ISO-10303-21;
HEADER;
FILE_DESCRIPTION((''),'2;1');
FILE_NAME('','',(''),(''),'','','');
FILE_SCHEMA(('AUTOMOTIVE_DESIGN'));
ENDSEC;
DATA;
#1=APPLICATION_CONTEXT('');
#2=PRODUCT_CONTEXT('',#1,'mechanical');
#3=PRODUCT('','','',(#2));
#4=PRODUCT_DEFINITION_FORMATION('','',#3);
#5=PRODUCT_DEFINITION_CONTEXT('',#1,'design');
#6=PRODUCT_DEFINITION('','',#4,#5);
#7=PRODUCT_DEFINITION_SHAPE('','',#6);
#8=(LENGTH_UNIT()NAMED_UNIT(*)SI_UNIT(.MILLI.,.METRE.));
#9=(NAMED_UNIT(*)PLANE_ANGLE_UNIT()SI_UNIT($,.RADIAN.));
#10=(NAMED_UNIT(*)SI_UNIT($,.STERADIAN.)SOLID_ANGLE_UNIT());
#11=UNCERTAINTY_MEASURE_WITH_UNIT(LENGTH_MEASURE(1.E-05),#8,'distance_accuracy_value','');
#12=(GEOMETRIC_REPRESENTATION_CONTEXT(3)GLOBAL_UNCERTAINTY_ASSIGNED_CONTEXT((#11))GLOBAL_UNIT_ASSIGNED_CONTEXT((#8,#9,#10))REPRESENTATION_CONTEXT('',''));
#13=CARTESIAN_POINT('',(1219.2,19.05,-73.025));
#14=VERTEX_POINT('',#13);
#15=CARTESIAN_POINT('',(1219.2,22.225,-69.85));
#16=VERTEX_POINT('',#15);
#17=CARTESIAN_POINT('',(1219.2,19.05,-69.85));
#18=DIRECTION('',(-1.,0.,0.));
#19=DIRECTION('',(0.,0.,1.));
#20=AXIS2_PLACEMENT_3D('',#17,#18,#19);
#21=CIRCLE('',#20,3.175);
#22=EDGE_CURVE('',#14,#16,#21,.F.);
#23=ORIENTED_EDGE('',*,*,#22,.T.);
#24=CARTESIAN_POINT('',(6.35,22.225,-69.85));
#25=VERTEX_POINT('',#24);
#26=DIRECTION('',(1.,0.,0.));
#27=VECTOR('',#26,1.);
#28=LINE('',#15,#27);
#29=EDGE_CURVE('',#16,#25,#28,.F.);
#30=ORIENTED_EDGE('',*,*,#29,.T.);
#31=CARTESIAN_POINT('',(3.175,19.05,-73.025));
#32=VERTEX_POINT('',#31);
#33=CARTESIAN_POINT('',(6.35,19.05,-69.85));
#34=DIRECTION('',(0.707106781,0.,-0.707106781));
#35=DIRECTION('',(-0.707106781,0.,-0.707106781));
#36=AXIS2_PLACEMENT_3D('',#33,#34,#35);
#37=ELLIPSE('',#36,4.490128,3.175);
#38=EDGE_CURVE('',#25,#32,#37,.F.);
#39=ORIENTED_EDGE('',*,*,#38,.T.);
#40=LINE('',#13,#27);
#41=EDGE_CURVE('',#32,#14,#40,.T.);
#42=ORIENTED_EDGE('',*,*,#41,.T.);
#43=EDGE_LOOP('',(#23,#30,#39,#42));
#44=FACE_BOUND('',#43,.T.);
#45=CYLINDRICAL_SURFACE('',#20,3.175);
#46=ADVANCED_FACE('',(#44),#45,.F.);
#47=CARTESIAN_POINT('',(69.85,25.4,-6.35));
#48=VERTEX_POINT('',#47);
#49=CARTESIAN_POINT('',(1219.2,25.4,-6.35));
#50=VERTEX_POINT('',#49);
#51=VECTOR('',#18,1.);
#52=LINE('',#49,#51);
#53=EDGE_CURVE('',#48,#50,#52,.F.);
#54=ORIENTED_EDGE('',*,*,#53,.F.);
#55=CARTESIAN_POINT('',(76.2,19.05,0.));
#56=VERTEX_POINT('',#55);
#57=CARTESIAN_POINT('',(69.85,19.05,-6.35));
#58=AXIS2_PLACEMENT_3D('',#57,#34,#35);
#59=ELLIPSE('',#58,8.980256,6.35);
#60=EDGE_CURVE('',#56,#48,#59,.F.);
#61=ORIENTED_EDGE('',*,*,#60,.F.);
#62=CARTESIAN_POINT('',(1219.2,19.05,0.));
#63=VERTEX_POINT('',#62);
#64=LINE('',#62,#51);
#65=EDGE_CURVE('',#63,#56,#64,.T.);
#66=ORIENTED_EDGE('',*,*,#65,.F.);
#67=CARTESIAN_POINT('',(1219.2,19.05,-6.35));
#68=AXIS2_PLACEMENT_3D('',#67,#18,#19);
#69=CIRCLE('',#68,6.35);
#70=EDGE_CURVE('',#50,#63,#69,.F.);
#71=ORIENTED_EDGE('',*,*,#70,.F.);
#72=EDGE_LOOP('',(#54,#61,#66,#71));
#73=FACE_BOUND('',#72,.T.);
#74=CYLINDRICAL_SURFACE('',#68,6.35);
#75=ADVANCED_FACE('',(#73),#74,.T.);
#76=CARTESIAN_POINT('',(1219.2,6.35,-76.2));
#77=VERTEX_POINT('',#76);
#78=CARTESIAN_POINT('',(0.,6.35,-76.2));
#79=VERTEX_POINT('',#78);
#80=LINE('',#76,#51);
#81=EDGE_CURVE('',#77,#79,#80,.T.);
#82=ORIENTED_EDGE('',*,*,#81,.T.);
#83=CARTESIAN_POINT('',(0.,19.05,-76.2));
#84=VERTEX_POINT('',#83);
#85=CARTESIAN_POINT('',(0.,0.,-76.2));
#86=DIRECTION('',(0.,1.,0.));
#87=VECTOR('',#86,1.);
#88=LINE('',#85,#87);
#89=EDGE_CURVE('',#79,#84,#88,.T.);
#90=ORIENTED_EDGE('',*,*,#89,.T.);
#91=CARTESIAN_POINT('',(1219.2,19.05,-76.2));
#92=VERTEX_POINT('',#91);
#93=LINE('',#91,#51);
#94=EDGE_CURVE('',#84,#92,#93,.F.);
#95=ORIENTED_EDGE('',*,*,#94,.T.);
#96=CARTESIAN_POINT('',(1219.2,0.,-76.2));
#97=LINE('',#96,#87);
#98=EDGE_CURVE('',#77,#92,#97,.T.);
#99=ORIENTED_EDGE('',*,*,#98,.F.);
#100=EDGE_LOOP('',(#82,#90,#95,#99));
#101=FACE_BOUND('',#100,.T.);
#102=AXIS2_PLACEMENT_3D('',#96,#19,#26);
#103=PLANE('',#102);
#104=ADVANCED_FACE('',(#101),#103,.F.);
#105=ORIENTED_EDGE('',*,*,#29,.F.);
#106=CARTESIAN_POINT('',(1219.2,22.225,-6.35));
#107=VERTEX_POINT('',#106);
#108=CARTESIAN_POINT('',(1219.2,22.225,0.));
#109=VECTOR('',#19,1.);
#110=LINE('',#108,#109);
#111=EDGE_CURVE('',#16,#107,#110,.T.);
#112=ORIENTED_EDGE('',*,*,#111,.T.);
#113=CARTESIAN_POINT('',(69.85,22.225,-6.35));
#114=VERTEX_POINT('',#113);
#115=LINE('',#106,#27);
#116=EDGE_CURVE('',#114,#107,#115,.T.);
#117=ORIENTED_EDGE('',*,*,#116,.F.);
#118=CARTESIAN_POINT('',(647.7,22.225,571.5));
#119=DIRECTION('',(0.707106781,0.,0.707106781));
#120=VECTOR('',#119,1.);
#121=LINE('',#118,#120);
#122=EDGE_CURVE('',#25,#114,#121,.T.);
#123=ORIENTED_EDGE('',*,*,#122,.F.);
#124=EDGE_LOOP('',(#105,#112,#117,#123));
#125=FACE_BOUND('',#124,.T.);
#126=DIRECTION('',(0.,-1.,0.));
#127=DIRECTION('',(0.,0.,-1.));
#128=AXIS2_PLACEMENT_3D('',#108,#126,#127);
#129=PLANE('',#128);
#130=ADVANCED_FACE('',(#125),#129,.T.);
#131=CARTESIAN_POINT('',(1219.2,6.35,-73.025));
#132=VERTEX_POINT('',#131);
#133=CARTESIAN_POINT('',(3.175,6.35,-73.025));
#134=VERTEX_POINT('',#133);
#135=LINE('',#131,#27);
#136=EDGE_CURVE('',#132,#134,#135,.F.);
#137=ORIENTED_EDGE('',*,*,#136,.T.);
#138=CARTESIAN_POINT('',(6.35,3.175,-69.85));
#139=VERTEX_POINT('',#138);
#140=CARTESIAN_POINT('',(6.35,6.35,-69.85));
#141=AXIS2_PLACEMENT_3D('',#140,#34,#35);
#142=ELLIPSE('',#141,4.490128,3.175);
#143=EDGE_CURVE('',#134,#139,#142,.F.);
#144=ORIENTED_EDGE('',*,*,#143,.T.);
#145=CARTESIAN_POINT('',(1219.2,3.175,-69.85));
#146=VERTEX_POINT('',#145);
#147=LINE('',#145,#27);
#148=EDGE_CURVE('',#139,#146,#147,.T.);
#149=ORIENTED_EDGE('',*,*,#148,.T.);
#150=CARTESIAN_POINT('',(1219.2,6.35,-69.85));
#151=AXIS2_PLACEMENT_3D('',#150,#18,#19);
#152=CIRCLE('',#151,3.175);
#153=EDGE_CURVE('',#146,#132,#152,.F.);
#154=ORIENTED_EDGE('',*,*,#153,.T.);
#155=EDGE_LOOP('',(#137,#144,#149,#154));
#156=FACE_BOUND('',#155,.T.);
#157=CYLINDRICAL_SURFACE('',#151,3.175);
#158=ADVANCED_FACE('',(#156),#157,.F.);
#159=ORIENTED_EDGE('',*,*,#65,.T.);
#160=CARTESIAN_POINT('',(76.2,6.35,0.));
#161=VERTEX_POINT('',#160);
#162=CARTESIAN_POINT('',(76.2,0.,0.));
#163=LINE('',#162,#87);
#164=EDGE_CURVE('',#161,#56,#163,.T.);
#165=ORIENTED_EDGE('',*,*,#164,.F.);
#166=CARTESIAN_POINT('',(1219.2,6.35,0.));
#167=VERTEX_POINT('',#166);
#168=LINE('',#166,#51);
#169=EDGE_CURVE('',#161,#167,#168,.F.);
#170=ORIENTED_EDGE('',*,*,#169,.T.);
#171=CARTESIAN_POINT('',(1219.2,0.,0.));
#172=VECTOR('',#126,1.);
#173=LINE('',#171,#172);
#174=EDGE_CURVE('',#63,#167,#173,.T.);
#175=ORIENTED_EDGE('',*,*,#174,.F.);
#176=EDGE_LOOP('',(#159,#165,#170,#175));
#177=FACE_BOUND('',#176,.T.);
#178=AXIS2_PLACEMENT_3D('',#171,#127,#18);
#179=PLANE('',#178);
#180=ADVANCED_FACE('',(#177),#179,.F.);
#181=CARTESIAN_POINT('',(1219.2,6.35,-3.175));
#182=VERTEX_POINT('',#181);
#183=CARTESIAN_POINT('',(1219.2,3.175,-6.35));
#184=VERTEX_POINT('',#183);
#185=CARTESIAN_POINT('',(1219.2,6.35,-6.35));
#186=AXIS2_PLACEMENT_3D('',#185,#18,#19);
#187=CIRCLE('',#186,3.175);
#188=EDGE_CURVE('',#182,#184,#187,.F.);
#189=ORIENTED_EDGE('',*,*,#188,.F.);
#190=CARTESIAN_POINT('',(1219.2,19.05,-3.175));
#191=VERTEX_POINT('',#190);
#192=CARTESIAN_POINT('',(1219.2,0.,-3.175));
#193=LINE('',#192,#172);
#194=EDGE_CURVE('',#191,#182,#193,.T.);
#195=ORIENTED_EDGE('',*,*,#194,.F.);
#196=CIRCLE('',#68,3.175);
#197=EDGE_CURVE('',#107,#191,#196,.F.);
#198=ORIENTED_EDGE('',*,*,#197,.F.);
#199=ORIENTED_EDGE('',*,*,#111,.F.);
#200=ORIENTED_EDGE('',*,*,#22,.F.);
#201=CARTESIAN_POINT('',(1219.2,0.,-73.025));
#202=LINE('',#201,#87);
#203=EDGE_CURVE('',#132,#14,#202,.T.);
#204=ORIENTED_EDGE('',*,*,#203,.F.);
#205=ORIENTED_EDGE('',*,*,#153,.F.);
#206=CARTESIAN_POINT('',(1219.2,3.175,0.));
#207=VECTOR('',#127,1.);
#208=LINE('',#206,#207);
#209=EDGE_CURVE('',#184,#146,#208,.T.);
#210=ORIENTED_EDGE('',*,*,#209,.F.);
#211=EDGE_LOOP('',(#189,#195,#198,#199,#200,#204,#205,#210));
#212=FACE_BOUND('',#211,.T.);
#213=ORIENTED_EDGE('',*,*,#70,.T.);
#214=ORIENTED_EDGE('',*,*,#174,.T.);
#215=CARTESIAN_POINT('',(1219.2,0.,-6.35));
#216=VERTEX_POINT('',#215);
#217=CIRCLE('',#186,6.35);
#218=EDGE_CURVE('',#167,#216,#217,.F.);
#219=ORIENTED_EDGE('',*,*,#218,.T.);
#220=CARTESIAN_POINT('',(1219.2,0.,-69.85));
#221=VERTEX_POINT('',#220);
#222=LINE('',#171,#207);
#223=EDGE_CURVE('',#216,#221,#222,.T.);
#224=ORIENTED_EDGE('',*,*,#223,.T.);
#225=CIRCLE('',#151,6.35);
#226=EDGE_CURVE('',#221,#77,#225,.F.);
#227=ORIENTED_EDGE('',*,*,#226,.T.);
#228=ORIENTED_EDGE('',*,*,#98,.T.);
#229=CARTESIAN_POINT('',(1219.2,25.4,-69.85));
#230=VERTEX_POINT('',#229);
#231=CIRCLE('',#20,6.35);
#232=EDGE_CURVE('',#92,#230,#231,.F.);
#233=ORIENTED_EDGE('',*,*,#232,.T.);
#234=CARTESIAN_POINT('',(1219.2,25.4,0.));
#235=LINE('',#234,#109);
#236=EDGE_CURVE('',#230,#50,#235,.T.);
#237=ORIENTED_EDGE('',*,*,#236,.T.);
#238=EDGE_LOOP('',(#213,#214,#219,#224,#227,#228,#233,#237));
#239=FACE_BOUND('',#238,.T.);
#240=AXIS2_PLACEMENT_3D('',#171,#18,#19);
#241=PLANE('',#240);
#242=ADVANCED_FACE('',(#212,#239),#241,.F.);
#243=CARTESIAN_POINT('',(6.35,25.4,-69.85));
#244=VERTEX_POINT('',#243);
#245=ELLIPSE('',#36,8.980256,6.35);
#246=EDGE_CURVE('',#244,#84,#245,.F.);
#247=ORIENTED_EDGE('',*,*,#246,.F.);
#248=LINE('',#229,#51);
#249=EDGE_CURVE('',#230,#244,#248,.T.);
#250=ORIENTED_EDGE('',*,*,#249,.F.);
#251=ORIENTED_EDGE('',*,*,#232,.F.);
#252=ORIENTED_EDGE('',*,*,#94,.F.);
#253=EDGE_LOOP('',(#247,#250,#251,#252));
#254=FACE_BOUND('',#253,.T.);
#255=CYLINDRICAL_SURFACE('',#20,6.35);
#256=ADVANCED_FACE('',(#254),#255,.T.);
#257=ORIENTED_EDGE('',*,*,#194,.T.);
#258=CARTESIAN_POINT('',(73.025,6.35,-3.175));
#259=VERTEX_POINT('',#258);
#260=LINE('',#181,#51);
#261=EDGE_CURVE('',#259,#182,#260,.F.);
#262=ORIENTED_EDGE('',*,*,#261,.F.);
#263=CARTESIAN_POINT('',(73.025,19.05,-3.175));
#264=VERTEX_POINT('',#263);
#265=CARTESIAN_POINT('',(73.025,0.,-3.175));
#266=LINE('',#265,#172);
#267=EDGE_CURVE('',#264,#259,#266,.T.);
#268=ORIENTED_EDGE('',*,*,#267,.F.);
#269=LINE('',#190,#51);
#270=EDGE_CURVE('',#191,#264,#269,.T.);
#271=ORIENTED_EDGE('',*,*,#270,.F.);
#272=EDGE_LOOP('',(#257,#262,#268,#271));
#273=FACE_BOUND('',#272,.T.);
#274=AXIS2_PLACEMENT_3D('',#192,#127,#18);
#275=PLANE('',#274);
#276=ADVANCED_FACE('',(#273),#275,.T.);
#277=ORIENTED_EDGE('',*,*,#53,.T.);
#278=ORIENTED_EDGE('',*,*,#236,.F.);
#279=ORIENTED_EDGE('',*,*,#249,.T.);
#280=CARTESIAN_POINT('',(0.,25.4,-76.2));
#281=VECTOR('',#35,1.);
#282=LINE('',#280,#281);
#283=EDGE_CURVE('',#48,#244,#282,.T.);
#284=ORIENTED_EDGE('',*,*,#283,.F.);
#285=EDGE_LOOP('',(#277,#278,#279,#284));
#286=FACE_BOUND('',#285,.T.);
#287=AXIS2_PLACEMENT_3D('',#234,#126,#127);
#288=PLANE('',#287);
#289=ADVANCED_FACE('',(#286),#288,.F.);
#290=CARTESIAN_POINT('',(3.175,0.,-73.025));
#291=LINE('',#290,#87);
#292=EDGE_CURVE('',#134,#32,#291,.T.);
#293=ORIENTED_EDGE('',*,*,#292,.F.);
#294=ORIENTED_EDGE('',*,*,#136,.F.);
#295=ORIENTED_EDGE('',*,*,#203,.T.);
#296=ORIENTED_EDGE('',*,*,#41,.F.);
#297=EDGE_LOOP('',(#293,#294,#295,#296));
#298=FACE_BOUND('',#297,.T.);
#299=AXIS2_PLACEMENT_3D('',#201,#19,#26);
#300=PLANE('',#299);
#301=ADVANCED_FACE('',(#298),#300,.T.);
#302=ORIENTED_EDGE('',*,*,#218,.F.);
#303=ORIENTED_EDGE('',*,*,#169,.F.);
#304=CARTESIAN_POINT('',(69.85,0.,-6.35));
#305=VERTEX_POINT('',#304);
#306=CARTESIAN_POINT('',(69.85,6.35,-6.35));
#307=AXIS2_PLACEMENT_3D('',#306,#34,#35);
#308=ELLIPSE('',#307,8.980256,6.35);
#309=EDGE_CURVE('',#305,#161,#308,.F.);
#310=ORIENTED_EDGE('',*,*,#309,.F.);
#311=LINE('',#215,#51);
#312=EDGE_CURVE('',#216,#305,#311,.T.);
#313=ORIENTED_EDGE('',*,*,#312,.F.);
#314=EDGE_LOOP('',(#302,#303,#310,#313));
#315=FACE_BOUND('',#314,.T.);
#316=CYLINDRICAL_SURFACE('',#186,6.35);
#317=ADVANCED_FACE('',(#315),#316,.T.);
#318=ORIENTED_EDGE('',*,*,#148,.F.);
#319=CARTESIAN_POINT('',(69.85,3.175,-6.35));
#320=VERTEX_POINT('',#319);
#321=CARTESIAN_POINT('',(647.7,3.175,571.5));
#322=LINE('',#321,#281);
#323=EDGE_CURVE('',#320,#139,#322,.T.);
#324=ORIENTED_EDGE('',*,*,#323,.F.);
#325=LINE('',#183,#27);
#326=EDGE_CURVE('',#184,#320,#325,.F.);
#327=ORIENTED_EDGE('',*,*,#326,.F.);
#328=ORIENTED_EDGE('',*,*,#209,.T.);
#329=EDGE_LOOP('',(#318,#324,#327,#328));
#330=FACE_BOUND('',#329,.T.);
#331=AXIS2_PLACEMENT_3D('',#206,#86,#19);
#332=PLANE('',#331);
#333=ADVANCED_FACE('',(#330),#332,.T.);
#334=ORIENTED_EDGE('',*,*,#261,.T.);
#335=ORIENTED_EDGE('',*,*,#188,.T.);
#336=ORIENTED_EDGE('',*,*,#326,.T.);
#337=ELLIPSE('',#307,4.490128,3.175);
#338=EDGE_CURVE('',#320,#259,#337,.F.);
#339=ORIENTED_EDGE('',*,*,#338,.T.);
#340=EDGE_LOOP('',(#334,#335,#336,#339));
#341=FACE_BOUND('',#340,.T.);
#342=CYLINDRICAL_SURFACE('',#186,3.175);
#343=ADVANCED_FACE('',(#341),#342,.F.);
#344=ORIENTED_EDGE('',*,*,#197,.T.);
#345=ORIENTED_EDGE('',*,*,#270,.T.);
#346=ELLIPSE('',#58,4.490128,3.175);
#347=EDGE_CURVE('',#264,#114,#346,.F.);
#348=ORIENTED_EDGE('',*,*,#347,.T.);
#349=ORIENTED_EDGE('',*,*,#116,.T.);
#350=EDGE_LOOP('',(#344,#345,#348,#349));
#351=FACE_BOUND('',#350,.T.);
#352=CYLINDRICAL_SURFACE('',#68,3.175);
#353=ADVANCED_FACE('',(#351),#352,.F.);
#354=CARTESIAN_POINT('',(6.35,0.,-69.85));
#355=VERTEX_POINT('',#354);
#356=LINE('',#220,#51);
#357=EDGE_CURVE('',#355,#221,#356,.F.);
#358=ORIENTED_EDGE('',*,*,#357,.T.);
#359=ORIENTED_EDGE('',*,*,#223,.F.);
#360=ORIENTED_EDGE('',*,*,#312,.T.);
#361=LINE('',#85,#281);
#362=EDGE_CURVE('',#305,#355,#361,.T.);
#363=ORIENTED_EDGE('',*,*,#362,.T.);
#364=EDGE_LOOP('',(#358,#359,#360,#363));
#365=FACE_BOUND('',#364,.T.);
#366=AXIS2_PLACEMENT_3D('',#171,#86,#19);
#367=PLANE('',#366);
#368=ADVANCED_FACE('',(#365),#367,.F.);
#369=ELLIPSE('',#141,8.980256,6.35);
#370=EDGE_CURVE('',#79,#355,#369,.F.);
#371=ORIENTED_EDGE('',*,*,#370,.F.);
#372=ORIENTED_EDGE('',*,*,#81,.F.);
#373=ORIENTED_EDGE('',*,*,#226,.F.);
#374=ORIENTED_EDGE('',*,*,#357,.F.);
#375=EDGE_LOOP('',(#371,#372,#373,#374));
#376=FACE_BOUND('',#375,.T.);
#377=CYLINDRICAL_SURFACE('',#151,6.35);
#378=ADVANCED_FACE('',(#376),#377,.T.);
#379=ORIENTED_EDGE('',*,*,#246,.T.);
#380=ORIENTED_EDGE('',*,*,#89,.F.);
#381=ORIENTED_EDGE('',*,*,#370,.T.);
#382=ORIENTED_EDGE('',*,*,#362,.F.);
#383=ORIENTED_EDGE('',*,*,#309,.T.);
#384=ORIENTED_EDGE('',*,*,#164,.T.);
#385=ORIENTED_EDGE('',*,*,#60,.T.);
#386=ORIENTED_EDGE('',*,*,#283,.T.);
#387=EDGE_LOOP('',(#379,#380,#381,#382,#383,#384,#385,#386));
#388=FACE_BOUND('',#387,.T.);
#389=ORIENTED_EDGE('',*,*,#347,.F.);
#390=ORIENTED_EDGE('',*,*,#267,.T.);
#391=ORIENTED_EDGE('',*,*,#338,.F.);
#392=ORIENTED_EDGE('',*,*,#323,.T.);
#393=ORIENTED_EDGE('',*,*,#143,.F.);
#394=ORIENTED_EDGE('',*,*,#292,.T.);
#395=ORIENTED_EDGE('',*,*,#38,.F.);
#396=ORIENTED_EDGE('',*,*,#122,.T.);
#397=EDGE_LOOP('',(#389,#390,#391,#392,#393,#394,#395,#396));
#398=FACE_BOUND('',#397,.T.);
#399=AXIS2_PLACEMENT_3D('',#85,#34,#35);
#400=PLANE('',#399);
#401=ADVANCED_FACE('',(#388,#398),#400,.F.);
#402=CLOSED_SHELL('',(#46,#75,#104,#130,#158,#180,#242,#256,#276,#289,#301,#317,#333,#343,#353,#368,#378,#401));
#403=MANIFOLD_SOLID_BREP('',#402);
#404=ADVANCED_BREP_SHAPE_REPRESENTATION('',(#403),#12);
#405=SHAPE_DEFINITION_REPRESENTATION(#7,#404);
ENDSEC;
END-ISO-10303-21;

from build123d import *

# Parameters (mm, degrees)
SKETCH1_W           = 76.2
SKETCH1_H           = 25.4
BOSS_EXTRUDE1_DEPTH = 1219.2
FILLET1_R           = 6.35
SHELL1_T            = -3.175
CUT_EXTRUDE1_DEPTH  = 25.4


with BuildPart() as part:
    # Sketch1 → Boss-Extrude1 (new body)
    with BuildSketch(Plane(origin=(0, 0, 0), x_dir=(0, 0, -1), z_dir=(1, 0, 0))):
        with Locations((38.1, 12.7)):
            Rectangle(SKETCH1_W, SKETCH1_H)
    extrude(amount=BOSS_EXTRUDE1_DEPTH)

    # Fillet1
    fillet1_edges = [part.edges().sort_by_distance(p)[0] for p in [
        (609.6, 25.4, 0),
        (609.6, 25.4, -76.2),
        (609.6, 0, -76.2),
        (609.6, 0, 0),
    ]]
    fillet(fillet1_edges, radius=FILLET1_R)

    # Shell1
    shell1_openings = [part.faces().sort_by_distance(p)[0] for p in [
        (1219.2, 12.7, -38.1),
        (0, 12.7, -38.1),
    ]]
    offset(amount=SHELL1_T, openings=shell1_openings, kind=Kind.INTERSECTION)

    # Sketch2 → Cut-Extrude1 (cut)
    with BuildSketch(Plane(origin=(0, 25.4, 0), x_dir=(1, 0, 0), z_dir=(0, 1, 0))):
        Polygon((0, 76.2), (76.2, 0), (0, 0), align=None)
    extrude(amount=-CUT_EXTRUDE1_DEPTH, mode=Mode.SUBTRACT)


solid = part.part
